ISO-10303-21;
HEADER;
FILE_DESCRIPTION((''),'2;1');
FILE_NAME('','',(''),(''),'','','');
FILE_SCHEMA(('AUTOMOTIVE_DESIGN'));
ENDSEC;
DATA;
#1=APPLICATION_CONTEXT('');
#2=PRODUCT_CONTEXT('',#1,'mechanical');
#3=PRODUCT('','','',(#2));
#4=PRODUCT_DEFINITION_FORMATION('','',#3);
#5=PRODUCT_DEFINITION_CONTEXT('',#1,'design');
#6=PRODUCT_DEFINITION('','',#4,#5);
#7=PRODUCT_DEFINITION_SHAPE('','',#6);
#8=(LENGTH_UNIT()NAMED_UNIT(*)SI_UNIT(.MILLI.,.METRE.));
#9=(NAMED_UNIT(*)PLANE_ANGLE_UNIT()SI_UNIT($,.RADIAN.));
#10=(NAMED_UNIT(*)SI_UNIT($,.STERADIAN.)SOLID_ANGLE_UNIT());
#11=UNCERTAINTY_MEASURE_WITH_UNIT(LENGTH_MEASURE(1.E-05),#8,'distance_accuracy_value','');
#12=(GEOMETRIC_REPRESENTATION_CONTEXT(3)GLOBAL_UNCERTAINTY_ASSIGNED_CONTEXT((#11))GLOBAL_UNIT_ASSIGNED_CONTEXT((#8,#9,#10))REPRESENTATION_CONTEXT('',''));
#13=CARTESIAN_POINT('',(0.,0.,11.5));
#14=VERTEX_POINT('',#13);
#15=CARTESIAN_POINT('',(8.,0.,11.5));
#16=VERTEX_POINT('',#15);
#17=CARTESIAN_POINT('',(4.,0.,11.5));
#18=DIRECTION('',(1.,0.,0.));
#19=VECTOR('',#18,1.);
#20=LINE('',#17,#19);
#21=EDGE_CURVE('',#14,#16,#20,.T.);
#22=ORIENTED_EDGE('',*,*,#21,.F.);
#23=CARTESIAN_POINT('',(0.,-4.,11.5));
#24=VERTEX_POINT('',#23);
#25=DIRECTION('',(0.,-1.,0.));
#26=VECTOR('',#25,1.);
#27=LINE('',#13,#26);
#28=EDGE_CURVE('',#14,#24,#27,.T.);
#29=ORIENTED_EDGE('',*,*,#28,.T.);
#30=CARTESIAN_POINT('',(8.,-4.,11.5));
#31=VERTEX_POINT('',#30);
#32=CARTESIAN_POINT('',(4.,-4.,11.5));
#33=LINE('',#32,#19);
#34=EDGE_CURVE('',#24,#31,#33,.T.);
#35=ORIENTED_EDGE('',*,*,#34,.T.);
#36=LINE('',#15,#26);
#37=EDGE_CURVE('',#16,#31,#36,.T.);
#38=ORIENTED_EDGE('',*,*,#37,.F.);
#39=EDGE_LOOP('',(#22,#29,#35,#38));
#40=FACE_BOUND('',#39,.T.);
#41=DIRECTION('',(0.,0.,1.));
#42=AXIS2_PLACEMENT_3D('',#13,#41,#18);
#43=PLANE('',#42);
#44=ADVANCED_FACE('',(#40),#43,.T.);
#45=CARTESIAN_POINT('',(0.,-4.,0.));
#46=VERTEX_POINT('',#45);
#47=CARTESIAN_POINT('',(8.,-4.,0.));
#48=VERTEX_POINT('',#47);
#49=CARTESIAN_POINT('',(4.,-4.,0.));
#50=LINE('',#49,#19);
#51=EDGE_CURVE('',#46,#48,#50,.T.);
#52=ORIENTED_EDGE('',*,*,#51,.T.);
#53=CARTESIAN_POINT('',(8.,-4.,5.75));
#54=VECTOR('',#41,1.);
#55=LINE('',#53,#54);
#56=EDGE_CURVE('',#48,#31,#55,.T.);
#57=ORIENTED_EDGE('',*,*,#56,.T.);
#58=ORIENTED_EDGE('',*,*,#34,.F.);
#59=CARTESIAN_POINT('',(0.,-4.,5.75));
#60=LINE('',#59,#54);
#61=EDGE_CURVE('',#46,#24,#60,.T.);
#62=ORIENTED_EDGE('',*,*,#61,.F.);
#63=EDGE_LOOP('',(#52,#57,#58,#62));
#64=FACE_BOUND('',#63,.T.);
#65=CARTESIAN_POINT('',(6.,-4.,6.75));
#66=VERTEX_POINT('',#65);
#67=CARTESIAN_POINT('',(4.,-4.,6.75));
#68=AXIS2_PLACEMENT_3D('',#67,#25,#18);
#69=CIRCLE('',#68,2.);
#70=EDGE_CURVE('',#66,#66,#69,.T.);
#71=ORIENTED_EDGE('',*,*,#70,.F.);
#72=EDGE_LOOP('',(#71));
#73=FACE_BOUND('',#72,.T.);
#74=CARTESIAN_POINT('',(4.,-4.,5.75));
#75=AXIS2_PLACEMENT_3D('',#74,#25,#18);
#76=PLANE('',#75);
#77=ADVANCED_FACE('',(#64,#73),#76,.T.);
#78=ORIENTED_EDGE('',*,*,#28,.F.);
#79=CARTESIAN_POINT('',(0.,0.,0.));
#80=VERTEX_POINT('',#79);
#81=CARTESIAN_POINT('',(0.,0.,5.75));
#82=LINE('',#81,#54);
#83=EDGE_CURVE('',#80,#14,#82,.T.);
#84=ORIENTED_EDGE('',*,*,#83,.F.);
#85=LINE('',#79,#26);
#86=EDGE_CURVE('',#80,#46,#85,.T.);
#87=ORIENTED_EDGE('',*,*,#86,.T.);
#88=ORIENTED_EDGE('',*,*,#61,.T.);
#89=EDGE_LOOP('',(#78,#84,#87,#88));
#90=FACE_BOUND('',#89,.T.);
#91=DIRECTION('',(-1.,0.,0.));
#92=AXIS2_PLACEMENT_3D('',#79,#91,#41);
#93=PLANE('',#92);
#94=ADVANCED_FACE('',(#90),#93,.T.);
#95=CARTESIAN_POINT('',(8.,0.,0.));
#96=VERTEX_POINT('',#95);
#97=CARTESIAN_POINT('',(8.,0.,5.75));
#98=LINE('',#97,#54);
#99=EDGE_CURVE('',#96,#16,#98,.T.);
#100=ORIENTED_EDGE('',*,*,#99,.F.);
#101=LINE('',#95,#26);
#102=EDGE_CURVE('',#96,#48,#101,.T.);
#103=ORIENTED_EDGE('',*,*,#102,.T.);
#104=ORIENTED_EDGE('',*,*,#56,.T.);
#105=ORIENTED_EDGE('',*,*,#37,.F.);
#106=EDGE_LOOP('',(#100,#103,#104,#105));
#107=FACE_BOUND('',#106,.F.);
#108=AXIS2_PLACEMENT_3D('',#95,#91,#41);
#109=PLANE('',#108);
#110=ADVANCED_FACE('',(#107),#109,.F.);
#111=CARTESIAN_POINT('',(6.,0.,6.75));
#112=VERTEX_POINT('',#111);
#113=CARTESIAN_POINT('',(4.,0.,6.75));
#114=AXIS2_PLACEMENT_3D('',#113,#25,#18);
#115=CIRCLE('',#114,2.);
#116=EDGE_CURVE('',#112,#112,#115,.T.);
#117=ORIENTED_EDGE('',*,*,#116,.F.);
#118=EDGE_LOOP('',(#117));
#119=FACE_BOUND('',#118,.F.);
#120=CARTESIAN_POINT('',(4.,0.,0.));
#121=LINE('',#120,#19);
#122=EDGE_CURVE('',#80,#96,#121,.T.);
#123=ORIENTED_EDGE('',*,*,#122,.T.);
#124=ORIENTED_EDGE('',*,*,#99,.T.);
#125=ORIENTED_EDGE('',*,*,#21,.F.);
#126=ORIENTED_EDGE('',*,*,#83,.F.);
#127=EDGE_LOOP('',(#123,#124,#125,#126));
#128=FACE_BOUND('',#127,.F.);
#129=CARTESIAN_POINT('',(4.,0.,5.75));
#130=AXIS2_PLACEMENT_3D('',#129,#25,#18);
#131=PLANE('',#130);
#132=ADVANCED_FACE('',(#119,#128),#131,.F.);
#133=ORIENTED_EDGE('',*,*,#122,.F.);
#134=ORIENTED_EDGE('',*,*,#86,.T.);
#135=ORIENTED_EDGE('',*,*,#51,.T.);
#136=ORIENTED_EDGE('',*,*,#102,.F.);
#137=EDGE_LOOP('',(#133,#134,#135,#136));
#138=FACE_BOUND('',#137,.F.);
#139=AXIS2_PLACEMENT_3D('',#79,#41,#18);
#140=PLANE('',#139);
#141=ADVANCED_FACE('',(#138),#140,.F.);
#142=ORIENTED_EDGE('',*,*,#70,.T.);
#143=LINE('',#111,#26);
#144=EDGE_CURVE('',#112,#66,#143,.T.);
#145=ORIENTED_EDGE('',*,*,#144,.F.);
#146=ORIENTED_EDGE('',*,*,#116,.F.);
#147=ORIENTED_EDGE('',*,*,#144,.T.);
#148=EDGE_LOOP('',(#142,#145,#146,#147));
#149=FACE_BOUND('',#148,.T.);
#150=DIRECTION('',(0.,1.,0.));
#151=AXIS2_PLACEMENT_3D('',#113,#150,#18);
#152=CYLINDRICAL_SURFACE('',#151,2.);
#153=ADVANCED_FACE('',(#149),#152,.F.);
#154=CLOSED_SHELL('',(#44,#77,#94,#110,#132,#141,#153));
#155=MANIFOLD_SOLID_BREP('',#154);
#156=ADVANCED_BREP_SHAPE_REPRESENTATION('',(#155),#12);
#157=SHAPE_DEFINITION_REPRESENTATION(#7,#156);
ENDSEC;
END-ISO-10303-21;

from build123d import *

# Parameters (mm, degrees)
SKETCH_W  = 8
SKETCH_H  = 11.5
SKETCH_R  = 2
PAD_DEPTH = 4


with BuildPart() as part:
    # Sketch → Pad (new body)
    with BuildSketch(Plane.XZ):
        with Locations((4, 5.75)):
            Rectangle(SKETCH_W, SKETCH_H)
        with Locations((4, 6.75)):
            Circle(SKETCH_R, mode=Mode.SUBTRACT)
    extrude(amount=PAD_DEPTH)


solid = part.part
